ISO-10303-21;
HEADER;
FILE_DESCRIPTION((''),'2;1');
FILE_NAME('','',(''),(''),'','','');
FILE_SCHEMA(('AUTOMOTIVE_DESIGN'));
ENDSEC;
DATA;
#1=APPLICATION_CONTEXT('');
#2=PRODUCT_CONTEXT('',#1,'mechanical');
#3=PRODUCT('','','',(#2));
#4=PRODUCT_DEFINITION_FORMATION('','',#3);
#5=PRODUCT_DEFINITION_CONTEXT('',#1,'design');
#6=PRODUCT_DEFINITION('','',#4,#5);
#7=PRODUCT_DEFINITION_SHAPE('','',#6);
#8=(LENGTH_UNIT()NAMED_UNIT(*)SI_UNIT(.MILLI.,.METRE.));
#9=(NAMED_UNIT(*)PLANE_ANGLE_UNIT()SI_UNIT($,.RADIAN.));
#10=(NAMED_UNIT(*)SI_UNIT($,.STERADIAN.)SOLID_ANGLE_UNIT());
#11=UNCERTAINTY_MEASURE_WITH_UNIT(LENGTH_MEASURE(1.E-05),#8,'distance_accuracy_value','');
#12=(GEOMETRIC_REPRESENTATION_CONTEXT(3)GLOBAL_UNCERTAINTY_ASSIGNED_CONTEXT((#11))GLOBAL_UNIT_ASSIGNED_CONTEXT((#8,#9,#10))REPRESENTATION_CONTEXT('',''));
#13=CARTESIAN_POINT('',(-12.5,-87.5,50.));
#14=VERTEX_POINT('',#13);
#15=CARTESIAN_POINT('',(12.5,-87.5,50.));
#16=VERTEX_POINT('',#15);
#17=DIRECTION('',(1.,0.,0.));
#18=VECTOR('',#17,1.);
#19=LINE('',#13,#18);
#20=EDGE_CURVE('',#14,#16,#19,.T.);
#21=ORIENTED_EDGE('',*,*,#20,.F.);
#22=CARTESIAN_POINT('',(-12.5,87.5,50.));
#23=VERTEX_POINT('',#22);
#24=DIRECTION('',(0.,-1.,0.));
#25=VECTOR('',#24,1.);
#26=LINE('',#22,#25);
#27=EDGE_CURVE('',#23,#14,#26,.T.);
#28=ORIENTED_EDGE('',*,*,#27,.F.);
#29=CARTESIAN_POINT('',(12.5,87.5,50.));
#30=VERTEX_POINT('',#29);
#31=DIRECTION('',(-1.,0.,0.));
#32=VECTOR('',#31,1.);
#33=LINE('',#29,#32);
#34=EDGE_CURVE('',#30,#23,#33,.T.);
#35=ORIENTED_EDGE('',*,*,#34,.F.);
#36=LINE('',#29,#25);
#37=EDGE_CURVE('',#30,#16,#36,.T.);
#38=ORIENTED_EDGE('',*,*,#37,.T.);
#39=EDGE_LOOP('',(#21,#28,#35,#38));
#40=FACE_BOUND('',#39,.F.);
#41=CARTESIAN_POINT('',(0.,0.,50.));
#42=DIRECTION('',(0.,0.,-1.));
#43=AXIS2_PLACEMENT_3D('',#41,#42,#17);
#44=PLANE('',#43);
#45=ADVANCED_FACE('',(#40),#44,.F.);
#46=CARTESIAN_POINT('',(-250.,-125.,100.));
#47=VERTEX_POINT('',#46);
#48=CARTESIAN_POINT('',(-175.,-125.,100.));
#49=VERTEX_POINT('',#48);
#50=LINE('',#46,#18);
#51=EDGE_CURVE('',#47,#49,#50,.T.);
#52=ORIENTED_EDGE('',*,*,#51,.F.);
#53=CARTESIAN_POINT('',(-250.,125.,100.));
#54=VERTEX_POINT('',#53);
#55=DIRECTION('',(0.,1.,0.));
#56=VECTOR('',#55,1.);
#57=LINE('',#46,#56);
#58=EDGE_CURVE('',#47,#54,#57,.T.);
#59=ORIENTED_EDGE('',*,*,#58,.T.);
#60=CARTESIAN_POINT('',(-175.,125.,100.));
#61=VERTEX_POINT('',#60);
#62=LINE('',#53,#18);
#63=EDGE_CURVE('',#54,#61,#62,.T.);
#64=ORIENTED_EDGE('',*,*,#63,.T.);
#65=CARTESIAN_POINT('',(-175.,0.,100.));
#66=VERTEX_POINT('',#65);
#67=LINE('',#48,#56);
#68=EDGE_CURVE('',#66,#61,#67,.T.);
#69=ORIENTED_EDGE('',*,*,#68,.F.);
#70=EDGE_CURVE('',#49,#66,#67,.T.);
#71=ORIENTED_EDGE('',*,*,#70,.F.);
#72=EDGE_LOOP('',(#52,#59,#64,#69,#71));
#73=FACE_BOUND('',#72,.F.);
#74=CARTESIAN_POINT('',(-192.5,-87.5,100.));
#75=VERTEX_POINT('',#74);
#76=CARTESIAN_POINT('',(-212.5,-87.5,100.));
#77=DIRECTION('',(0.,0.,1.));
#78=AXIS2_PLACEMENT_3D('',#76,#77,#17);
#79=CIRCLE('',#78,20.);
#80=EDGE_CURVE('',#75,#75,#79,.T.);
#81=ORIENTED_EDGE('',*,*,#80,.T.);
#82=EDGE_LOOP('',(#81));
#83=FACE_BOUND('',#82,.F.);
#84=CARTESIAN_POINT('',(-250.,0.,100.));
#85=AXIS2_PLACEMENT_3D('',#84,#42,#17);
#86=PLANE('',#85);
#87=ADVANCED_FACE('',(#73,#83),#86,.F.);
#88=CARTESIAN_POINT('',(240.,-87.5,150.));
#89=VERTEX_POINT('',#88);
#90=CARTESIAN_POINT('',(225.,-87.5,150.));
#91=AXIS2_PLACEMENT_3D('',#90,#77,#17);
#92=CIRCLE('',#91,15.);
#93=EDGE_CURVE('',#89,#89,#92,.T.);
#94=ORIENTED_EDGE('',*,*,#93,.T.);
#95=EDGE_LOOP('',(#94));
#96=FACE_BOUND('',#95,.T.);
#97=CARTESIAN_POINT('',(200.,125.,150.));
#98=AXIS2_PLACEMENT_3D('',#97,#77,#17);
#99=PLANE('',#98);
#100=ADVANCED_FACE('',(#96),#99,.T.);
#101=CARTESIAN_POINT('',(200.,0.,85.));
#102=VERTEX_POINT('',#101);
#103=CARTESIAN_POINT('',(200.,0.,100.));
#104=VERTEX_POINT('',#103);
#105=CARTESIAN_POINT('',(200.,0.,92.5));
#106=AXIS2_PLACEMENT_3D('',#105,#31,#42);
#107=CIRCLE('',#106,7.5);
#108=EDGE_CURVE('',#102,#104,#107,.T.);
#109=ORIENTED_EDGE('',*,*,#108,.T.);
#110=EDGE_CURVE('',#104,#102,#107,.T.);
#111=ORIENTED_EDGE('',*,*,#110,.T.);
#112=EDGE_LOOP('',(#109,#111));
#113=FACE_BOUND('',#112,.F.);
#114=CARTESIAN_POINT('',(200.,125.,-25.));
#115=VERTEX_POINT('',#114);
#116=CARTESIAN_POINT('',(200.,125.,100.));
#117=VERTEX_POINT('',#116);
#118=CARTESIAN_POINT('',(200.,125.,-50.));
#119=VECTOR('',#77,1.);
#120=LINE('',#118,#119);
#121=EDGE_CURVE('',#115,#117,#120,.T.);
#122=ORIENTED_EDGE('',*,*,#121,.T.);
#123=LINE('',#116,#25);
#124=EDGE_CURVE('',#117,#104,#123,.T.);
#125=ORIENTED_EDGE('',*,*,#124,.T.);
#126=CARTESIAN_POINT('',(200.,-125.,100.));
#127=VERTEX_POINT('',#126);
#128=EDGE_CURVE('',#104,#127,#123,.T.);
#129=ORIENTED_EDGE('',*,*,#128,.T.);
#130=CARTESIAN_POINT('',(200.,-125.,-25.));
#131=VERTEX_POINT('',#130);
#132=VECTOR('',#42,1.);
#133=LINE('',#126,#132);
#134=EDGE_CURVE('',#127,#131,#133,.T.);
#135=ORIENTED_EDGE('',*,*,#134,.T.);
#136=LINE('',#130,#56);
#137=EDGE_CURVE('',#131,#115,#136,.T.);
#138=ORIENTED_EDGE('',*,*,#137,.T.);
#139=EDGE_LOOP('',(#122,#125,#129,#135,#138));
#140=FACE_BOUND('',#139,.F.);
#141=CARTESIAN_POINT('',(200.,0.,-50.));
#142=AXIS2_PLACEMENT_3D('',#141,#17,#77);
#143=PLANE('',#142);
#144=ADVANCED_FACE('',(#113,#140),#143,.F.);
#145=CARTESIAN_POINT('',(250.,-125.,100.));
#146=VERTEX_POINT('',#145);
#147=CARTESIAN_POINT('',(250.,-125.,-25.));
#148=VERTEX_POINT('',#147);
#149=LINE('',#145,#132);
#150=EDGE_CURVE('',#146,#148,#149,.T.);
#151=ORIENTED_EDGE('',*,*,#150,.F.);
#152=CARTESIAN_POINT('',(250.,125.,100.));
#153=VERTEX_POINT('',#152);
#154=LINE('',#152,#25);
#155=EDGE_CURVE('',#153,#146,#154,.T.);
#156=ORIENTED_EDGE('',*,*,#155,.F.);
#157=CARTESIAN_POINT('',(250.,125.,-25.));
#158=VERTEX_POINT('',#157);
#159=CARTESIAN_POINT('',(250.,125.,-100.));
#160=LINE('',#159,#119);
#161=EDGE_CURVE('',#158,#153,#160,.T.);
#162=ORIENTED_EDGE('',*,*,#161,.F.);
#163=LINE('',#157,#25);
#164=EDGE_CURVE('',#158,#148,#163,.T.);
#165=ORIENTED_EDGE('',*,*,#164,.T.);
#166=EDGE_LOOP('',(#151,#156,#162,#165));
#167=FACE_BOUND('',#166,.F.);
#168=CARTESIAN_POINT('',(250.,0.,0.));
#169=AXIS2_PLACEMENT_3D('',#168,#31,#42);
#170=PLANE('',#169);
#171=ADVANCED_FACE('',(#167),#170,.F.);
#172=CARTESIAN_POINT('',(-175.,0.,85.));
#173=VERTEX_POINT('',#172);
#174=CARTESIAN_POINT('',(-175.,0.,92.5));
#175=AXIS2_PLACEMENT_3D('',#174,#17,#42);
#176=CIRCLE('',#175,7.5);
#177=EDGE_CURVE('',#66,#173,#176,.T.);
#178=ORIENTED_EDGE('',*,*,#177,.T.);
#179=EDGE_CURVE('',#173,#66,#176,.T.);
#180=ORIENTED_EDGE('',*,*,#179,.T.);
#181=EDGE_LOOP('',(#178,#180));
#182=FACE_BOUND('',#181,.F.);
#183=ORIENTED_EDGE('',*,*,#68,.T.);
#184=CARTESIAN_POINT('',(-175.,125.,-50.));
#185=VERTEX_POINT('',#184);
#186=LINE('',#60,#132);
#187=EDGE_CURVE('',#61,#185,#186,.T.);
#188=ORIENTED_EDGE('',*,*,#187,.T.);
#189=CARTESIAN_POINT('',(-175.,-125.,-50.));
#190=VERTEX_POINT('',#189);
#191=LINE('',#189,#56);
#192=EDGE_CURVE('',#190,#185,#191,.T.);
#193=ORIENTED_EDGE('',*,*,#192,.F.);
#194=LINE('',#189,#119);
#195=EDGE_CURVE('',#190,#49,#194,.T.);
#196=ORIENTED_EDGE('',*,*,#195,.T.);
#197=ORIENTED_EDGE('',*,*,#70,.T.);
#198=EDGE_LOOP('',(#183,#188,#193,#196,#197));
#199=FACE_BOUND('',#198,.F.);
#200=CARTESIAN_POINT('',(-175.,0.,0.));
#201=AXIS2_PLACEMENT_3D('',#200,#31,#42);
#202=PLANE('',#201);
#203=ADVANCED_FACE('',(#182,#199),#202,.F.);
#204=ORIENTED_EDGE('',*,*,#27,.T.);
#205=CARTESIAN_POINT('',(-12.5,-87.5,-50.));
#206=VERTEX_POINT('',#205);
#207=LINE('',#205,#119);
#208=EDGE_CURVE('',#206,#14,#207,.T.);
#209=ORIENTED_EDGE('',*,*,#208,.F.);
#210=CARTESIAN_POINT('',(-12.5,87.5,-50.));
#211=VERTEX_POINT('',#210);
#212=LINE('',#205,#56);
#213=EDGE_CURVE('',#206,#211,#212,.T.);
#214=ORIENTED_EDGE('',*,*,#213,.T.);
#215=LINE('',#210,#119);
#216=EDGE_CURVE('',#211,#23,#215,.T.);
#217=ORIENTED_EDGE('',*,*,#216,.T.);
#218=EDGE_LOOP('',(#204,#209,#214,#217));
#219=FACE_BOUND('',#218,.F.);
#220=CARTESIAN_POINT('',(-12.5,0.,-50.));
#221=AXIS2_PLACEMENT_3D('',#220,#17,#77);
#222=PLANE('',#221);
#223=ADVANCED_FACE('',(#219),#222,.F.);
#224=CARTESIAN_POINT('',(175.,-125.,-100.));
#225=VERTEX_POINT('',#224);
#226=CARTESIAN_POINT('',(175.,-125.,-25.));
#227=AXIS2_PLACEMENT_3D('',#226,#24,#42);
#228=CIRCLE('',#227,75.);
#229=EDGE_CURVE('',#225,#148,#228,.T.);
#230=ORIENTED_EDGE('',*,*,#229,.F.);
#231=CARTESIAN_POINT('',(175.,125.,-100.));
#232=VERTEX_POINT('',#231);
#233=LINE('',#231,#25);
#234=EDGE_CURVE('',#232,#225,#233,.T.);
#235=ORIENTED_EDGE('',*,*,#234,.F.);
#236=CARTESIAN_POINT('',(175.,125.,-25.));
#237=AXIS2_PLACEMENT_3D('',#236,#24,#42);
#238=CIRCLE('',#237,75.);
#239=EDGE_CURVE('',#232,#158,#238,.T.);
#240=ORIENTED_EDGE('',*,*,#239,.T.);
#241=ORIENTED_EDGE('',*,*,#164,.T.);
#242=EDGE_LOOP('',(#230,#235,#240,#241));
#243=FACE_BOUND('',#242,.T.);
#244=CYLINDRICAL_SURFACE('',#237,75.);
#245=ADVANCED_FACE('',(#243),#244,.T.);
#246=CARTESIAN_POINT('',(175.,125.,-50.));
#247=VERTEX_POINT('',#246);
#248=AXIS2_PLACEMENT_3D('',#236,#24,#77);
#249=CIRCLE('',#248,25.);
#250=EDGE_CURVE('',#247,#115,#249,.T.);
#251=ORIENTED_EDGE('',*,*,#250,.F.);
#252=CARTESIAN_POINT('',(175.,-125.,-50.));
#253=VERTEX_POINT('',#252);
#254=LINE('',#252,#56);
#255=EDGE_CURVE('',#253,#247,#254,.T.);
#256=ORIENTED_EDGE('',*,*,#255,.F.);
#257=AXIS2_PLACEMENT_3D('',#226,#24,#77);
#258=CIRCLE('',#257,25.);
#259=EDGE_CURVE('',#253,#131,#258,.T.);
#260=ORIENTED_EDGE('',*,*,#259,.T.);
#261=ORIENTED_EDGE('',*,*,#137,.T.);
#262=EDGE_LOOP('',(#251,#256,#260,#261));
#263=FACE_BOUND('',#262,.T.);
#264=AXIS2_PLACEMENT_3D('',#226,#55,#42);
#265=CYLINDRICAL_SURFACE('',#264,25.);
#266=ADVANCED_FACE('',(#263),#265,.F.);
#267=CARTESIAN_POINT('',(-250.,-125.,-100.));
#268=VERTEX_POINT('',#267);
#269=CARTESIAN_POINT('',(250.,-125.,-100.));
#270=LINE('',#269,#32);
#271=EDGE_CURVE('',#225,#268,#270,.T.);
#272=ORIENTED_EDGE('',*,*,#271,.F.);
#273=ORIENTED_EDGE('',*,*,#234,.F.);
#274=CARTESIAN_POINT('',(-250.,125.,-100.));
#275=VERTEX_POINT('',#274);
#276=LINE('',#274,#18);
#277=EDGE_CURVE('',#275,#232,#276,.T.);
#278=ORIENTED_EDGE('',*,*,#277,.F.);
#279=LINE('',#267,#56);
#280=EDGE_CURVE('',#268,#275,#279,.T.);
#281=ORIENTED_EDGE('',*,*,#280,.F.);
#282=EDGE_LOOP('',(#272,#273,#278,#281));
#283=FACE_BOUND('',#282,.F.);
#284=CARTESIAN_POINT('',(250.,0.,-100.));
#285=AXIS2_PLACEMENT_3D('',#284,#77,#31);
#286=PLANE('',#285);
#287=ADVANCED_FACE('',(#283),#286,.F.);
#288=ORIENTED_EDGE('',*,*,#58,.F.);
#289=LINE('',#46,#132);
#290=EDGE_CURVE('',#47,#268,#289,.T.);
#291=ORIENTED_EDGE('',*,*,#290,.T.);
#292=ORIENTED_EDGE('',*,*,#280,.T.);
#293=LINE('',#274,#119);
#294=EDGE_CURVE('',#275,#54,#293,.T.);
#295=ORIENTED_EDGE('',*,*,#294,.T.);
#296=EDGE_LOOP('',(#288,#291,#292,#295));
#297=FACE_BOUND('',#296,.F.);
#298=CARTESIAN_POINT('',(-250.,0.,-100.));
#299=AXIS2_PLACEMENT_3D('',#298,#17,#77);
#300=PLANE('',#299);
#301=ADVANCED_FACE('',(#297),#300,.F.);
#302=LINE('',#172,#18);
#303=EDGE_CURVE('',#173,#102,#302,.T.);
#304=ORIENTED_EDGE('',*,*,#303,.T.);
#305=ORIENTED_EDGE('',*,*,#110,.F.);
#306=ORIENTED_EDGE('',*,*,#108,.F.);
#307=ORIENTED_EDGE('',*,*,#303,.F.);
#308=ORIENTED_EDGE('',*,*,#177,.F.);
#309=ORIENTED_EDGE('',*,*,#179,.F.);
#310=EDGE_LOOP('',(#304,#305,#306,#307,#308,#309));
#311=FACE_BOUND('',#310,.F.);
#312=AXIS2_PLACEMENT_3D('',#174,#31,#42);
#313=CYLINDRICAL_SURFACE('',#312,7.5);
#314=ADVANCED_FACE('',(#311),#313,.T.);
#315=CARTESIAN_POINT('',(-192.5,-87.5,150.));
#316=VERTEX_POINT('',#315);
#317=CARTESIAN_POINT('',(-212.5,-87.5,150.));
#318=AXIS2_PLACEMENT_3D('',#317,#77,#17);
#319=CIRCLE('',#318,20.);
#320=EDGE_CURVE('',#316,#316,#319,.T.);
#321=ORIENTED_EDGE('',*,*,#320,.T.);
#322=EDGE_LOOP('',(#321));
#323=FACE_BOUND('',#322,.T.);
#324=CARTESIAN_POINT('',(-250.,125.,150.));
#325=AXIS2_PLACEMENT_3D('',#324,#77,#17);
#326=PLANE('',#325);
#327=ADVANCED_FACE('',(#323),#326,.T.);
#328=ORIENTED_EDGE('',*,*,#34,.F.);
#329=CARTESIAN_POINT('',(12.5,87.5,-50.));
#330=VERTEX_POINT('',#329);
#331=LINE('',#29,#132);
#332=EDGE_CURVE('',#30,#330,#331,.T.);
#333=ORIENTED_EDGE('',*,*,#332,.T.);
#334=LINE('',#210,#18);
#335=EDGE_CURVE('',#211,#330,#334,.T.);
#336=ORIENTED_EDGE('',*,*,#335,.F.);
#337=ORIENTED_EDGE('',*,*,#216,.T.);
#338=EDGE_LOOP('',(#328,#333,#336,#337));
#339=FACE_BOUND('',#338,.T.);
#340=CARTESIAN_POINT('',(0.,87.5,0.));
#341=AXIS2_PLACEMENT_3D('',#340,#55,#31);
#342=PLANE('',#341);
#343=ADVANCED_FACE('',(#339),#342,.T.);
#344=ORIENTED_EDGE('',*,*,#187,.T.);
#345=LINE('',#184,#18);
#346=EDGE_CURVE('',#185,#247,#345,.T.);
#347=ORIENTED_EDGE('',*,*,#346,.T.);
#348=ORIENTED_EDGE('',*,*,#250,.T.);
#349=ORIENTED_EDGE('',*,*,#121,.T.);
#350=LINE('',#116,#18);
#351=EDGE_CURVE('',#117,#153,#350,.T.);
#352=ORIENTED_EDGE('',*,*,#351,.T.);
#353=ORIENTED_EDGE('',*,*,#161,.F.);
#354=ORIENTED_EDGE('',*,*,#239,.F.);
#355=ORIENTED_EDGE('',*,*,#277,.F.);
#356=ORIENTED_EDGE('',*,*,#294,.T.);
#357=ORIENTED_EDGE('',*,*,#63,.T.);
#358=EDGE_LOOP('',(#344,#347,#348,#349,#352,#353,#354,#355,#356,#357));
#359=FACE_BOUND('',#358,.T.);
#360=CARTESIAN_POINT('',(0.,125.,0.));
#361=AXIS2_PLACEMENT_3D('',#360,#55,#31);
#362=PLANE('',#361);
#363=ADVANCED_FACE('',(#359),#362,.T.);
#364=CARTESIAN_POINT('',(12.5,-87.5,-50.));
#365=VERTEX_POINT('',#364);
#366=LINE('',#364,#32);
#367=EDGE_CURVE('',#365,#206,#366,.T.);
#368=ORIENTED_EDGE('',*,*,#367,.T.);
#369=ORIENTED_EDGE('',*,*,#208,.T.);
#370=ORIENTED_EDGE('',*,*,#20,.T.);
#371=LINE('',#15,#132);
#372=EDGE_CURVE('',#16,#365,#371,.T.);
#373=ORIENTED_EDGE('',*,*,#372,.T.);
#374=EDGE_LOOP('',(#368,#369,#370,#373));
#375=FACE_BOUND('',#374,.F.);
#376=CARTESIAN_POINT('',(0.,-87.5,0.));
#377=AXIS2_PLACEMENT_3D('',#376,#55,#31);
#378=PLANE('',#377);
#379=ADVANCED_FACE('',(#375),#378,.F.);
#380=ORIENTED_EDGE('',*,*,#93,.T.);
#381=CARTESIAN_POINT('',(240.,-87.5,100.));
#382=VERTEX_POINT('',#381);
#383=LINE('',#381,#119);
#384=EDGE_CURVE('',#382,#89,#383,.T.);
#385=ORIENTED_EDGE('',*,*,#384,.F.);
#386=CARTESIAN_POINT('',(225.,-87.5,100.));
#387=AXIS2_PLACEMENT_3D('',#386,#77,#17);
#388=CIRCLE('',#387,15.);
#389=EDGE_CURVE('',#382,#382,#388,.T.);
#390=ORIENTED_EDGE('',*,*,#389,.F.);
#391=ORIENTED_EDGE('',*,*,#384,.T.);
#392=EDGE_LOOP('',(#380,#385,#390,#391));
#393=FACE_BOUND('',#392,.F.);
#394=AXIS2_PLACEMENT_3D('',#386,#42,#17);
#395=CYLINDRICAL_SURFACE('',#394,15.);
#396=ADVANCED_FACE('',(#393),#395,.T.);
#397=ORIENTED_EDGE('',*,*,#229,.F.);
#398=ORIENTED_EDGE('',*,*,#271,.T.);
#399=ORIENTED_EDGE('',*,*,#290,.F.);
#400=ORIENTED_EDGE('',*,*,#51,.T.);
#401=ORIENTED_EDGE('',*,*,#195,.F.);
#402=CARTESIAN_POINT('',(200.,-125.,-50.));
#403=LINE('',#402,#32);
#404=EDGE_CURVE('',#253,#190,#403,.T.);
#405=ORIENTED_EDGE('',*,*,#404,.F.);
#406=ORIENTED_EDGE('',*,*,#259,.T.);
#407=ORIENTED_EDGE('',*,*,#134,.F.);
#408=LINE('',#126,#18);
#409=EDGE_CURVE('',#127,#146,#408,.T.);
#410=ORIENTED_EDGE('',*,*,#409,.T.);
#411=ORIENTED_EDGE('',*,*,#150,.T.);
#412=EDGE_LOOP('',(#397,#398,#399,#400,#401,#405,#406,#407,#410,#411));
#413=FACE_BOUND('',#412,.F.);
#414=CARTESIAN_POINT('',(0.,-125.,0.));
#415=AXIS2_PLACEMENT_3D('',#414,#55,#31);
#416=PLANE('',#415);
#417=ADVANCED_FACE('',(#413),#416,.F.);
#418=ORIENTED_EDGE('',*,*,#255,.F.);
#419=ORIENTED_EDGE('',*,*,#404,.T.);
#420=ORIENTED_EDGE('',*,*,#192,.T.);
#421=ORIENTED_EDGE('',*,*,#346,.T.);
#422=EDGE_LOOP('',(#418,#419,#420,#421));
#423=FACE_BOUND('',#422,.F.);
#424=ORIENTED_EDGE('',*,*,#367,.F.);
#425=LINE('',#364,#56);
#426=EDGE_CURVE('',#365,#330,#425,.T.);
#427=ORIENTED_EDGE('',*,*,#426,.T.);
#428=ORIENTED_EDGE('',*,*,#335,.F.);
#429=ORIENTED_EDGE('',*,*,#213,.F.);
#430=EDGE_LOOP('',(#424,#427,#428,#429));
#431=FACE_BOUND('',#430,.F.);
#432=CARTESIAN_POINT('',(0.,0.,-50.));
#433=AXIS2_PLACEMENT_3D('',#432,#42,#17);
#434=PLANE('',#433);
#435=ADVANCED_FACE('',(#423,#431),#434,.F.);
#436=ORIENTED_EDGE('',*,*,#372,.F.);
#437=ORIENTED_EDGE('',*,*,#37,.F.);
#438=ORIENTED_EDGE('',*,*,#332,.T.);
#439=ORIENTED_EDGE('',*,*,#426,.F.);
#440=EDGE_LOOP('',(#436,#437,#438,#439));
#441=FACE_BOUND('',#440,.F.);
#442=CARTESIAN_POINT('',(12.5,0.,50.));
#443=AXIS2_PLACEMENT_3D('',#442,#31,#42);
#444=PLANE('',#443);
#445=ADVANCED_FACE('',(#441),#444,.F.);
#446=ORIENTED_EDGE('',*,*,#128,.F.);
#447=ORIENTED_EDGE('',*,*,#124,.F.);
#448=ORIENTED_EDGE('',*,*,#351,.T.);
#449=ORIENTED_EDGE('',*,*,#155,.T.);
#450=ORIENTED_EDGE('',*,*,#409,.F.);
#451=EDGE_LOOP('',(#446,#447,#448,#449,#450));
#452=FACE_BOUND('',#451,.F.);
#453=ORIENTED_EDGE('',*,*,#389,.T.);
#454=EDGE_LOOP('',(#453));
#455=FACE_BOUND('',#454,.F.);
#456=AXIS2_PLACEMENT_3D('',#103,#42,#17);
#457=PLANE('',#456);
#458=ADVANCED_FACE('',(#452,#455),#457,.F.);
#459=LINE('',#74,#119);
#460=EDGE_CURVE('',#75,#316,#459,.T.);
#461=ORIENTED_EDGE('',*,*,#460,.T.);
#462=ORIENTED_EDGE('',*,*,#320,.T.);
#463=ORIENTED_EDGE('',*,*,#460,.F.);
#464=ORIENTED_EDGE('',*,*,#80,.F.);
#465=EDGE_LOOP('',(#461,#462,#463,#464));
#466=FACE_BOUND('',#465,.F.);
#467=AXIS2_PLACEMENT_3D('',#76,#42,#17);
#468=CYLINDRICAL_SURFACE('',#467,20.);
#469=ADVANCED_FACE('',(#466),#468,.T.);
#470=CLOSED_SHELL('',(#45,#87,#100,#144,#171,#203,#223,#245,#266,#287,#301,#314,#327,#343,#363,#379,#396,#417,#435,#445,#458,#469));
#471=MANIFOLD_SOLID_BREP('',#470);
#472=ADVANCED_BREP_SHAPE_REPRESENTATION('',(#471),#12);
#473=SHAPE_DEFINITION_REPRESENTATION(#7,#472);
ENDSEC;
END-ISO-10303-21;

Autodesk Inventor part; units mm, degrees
ref_plane "YZ Plane" through (0, 0, 0) normal (1, 0, 0) x (0, 1, 0)
ref_plane "XZ Plane" through (0, 0, 0) normal (0, 1, 0) x (-1, 0, 0)
ref_plane "XY Plane" through (0, 0, 0) normal (0, 0, 1) x (1, 0, 0)
sketch "Sketch1" plane through (0, 0, 0) normal (0, 1, 0) x (-1, 0, 0)
  line L0 (0, -140) -> (0, 140) projected
  line L1 (-350, 0) -> (350, 0) projected
  line L2 (-250, 100) -> (-250, -100)
  line L3 (-250, -100) -> (250, -100)
  line L4 (250, -100) -> (250, 100)
  line L5 (250, 100) -> (175, 100)
  line L6 (175, 100) -> (175, -50)
  line L7 (175, -50) -> (-200, -50)
  line L8 (-200, -50) -> (-200, 100)
  line L9 (-200, 100) -> (-250, 100)
  dimension "d0" = 200
  dimension "d1" = 50
  dimension "d2" = 50
  dimension "d3" = 500
  dimension "d4" = 75
extrude "Extrusion1" add sketch "Sketch1" along normal mid plane 250 contours L3 L2 L1 L8 L7 L0 | L0 L7 L6 L1 L4 L3 | L2 L9 L8 L1 | L1 L6 L5 L4
fillet "Fillet1" radius 75 1 edges at (250, 0, -100)
fillet "Fillet1" radius 25 1 edges at (200, 0, -50)
sketch "Sketch2" plane through (-250, 125, 100) normal (0, 0, 1) x (1, 0, 0)
  line L0 (0, -250) -> (0, 0) projected
  line L1 (0, -250) -> (75, -250) projected
  line L2 (75, -250) -> (75, 0) projected
  circle A0 centre (37.5, -212.5) radius 37.5 construction
  circle A1 centre (37.5, -212.5) radius 20
  dimension "d9" = 40
extrude "Extrusion2" add sketch "Sketch2" along normal blind 50
sketch "Sketch3" plane through (200, 125, 100) normal (0, 0, 1) x (1, 0, 0)
  line L0 (0, -250) -> (50, -250) projected
  circle A0 centre (-412.5, -212.5) radius 20 projected
  circle A1 centre (25, -212.5) radius 15
  point P0 (25, -250)
  dimension "d12" = 30
extrude "Extrusion3" add sketch "Sketch3" along normal up to surface (50 mm away) contours A1
sketch "Sketch4" plane through (0, 0, 0) normal (0, 1, 0) x (-1, 0, 0)
  line L0 (-175, -50) -> (175, -50) projected
  line L1 (-12.5, -50) -> (12.5, -50)
  line L2 (12.5, -50) -> (12.5, 50)
  line L3 (12.5, 50) -> (-12.5, 50)
  line L4 (-12.5, 50) -> (-12.5, -50)
  line L5 (0, -150) -> (0, 200) projected
  dimension "d15" = 25
  dimension "d16" = 100
extrude "Extrusion4" add sketch "Sketch4" along normal mid plane 175
sketch "Sketch5" plane through (-175, -125, 100) normal (1, 0, 0) x (0, 0, -1)
  circle A0 centre (7.5, 125) radius 7.5
  line L0 (0, 250) -> (0, 0) projected
  point P0 (0, 125)
  dimension "d19" = 15
extrude "Extrusion5" add sketch "Sketch5" along normal up to next
properties part number "Interactice Exercise"
